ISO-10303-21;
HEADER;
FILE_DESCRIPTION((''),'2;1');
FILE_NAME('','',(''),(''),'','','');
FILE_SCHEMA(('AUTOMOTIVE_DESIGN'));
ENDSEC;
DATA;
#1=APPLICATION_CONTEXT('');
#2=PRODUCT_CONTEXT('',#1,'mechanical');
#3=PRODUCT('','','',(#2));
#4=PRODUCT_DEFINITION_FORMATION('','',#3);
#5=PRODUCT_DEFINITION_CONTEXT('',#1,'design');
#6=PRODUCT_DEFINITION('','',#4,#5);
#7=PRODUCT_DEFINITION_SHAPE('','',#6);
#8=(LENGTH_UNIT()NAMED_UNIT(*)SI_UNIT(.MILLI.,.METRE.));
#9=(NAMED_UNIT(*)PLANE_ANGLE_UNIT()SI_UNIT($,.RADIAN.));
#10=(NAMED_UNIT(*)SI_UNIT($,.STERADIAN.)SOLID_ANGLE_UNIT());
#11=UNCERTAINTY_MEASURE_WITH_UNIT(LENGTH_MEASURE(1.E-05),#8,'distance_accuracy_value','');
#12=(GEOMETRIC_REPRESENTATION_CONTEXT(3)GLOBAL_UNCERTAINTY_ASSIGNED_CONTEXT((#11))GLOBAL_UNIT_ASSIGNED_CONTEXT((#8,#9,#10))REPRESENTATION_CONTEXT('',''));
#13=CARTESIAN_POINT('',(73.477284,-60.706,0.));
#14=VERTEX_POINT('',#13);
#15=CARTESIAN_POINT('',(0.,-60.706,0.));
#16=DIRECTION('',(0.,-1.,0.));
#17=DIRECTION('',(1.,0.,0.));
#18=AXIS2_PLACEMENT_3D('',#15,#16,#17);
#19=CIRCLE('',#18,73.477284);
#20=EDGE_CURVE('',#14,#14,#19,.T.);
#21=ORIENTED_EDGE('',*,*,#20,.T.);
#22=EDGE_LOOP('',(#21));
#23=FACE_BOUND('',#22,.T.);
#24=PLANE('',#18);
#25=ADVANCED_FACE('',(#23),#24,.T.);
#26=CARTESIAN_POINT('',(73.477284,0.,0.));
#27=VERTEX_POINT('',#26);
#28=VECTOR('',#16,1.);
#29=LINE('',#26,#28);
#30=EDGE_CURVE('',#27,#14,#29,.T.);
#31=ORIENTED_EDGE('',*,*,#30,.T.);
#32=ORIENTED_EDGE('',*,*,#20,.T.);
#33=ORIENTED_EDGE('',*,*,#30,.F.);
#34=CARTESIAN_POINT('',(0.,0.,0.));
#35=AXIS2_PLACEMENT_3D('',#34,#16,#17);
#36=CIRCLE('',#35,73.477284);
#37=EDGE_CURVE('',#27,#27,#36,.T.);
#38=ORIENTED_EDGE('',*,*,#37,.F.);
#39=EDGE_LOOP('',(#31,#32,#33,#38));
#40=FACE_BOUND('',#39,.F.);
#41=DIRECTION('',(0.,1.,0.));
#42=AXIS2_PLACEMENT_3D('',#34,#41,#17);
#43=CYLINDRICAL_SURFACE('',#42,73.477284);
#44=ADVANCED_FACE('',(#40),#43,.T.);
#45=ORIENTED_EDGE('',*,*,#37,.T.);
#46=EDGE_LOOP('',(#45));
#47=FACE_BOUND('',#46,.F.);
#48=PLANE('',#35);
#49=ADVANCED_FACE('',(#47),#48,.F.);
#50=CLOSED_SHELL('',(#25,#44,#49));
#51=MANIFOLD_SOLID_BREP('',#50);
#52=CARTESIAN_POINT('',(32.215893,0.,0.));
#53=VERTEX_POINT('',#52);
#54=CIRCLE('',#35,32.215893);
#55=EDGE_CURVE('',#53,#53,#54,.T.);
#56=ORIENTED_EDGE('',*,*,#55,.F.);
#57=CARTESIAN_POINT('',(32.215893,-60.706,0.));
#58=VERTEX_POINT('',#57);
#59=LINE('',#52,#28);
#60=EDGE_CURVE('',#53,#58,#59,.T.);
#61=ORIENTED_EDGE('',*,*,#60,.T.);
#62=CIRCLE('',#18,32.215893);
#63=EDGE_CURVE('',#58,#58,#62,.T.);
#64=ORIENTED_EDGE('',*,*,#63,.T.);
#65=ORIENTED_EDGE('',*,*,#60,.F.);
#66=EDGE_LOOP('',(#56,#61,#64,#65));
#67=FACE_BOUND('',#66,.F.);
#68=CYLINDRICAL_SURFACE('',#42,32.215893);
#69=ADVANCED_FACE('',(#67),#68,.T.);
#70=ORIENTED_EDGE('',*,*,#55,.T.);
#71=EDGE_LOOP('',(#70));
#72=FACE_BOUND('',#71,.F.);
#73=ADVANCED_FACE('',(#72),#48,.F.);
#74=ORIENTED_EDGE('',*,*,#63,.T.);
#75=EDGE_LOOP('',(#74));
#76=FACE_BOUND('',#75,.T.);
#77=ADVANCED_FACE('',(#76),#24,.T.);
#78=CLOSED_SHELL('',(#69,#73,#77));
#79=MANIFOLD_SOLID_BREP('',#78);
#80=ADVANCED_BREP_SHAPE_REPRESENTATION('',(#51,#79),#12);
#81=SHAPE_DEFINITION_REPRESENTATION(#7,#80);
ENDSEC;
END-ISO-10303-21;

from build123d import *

# Parameters (mm, degrees)
F1_R     = 32.2158925165
F2_DEPTH = 60.706
F0_R     = 73.4772843718


with BuildPart() as f2:
    # F1 (on face) → F2 (new body)
    with BuildSketch(Plane.XZ):
        Circle(F1_R)
    extrude(amount=F2_DEPTH)


with BuildPart() as f2b:
    # F0 (on Front) → F2, piece 2 (new body)
    with BuildSketch(Plane.XZ):
        Circle(F0_R)
    extrude(amount=F2_DEPTH)


solid = Compound([f2.part, f2b.part])
